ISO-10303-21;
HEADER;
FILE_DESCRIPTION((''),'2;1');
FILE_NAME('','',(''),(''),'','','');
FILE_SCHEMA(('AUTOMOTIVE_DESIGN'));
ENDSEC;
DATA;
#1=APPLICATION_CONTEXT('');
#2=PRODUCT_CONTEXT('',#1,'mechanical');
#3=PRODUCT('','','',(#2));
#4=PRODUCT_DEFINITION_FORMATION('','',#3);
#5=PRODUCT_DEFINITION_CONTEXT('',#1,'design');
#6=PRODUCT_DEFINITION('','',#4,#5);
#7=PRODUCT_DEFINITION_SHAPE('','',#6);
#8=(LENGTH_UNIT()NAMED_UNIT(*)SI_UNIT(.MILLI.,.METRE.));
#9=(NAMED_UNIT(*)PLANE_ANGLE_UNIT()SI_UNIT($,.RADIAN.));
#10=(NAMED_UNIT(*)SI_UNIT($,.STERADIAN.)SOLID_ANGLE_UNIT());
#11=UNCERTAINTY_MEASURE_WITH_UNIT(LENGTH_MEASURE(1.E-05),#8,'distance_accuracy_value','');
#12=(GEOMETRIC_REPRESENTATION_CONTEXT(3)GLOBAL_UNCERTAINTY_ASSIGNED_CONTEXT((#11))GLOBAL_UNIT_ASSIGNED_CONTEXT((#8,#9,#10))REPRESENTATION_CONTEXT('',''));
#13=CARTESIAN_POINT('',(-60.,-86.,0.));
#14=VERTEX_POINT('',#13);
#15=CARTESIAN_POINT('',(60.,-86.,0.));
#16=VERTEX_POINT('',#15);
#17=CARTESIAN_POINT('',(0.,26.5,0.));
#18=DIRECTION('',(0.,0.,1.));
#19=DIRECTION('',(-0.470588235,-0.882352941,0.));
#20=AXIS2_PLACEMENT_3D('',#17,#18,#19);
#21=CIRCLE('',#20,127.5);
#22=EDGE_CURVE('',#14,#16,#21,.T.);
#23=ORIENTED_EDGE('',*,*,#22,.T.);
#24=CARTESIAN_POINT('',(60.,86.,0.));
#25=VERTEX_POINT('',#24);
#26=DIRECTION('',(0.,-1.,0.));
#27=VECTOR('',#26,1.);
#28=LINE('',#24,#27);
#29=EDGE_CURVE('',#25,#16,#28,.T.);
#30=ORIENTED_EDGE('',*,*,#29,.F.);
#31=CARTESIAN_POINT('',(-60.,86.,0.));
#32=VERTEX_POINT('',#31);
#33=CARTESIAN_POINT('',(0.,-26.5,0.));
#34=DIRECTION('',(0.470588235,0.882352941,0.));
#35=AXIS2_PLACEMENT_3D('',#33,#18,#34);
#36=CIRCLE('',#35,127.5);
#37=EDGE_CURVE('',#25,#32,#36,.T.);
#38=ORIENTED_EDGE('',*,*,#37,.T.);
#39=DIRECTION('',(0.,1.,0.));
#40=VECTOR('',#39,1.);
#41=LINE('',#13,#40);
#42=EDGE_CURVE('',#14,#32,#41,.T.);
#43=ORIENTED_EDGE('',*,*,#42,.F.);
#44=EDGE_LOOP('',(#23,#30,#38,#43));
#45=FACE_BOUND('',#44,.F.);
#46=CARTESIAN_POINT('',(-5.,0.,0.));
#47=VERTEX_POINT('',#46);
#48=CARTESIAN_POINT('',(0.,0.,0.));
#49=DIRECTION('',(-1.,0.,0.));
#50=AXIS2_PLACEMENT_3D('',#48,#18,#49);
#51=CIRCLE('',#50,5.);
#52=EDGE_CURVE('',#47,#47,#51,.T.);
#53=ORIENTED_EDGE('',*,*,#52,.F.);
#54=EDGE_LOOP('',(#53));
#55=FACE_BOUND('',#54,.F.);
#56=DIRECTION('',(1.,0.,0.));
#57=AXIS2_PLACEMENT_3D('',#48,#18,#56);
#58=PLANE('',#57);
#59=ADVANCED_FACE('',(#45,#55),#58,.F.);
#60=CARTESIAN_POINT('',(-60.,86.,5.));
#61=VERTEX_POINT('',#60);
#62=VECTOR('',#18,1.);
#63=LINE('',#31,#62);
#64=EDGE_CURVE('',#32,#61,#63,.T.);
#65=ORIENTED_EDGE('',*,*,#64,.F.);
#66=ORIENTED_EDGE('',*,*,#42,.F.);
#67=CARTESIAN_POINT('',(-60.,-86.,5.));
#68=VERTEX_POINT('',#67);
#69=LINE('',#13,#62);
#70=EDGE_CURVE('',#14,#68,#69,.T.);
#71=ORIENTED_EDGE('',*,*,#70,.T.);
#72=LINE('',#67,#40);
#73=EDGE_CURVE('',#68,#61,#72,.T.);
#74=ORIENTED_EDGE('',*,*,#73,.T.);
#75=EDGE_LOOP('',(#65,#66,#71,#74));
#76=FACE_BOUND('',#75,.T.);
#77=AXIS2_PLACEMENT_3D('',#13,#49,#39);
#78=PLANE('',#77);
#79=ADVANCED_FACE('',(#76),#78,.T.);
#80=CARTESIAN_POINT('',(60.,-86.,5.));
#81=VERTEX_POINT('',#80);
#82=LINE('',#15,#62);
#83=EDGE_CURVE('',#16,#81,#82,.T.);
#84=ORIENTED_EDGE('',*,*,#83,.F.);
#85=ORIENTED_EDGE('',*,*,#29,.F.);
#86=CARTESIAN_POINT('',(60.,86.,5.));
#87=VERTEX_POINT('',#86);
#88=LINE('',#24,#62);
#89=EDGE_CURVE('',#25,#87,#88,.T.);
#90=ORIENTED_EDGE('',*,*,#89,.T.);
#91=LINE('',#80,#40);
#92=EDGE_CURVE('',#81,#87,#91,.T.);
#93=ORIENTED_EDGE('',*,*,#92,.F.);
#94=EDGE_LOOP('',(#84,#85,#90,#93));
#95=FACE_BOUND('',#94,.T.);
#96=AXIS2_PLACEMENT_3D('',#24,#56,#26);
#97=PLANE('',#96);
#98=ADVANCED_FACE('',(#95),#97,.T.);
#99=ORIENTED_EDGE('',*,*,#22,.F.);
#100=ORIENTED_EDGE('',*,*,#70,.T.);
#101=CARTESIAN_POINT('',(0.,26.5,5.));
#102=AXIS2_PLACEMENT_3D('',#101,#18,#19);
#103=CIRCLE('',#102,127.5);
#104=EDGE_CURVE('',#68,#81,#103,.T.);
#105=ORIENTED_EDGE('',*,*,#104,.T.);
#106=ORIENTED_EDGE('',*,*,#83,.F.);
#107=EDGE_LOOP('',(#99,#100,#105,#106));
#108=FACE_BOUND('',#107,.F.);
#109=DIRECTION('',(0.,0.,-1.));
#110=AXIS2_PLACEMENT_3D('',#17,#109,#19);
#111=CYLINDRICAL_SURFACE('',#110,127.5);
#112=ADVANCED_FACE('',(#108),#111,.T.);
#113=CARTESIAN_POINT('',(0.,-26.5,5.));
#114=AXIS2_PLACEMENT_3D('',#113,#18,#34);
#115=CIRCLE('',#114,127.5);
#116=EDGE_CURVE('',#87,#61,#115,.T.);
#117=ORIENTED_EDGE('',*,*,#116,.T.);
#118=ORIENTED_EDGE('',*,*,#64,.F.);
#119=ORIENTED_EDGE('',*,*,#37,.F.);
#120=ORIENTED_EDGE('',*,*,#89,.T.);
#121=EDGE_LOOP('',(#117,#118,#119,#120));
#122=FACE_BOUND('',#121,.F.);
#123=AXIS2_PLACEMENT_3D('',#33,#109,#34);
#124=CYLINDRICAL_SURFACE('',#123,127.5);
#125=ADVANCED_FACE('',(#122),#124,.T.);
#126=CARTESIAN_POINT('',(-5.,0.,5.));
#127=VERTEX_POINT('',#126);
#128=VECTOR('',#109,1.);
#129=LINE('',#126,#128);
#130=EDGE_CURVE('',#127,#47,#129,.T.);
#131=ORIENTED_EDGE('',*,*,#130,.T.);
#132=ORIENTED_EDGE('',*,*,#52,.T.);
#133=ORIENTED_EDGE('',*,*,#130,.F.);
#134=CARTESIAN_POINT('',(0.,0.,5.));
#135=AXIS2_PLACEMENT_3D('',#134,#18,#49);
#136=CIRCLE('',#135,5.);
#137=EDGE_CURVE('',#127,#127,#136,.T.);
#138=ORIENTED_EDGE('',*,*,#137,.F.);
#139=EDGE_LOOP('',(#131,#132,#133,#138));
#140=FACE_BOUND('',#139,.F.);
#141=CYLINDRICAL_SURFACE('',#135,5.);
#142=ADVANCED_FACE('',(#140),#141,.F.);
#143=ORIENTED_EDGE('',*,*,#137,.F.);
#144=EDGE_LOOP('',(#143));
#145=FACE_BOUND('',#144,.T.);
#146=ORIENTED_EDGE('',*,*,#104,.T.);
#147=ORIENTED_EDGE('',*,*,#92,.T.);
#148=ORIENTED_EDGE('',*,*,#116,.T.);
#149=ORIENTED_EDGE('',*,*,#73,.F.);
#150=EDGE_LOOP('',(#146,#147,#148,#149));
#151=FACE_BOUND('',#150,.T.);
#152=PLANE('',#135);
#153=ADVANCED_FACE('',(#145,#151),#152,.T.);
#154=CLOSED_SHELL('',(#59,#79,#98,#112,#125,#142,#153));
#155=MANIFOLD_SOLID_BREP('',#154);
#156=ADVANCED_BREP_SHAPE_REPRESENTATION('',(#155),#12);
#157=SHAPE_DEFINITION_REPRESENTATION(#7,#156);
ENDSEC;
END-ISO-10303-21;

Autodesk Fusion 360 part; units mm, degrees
sketch "Esquisse1" plane through (0, 0, 0) normal (0, 0, 1) x (1, 0, 0)
  line L0 (60, -86) -> (-60, -86)
  line L1 (-60, -86) -> (-60, 86)
  line L2 (-60, 86) -> (60, 86)
  line L3 (60, 86) -> (60, -86)
  line L4 (60, -86) -> (-60, 86) construction
  line L5 (-60, -86) -> (60, 86) construction
  dimension "d1" = 120
  dimension "d2" = 172
sketch "Esquisse2" plane through (0, 0, 0) normal (0, 0, 1) x (1, 0, 0)
  line L0 (0, -86) -> (0, -101)
  line L1 (0, 86) -> (0, 101)
  line L2 (60, -86) -> (-60, -86)
  line L3 (-60, -86) -> (-60, -116)
  line L4 (-60, -116) -> (60, -116)
  line L5 (60, -116) -> (60, -86)
  line L6 (60, -86) -> (-60, -116) construction
  line L7 (-60, -86) -> (60, -116) construction
  line L8 (-60, 86) -> (60, 86)
  line L9 (60, 86) -> (60, 116)
  line L10 (60, 116) -> (-60, 116)
  line L11 (-60, 116) -> (-60, 86)
  line L12 (-60, 86) -> (60, 116) construction
  line L13 (60, 86) -> (-60, 116) construction
  arc A0 (60, 86) -> (-60, 86) centre (0, -26.5) ccw
  arc A1 (-60, -86) -> (60, -86) centre (0, 26.5) ccw
  point P0 (0, -101)
  point P1 (0, 101)
  dimension "d3" = 15
  dimension "d4" = 15
extrude "Extrusion1" add sketch "Esquisse1" sketch "Esquisse2" along normal blind 10 of sketch 2 contours L0 L2 A1 | L0 L2 A1 | L1 L8 A0 | L1 L8 A0
sketch "Esquisse3" plane through (0, 0, 10) normal (0, 0, 1) x (-1, 0, 0)
  line L0 (60, -86) -> (60, 86)
  arc A0 (60, 86) -> (-60, 86) centre (0, -26.5) ccw
  line L1 (-60, 86) -> (-60, -86)
  arc A1 (-60, -86) -> (60, -86) centre (0, 26.5) ccw
  line L2 (60, 86) -> (-60, 86)
  line L3 (60, -86) -> (-60, -86)
  line L4 (-60, 86) -> (-60, 70)
  line L5 (-60, 70) -> (-60, 48)
  line L6 (-60, 48) -> (-60, -48)
  line L7 (-60, -48) -> (-60, -70)
  line L8 (60, 86) -> (60, 70)
  line L9 (60, 70) -> (60, 48)
  line L10 (60, 48) -> (60, -48)
  line L11 (60, -48) -> (60, -70)
  line L12 (60, 70) -> (36, 70)
  line L13 (36, 70) -> (36, 48)
  line L14 (36, 48) -> (60, 48)
  line L15 (60, -70) -> (36, -70)
  line L16 (36, -70) -> (36, -48)
  line L17 (36, -48) -> (60, -48)
  line L18 (-60, -70) -> (-36, -70)
  line L19 (-36, -70) -> (-36, -48)
  line L20 (-36, -48) -> (-60, -48)
  line L21 (-60, 70) -> (-36, 70)
  line L22 (-36, 70) -> (-36, 48)
  line L23 (-60, 48) -> (-36, 48)
  dimension "d7" = 16
  dimension "d8" = 22
  dimension "d9" = 96
  dimension "d10" = 22
  dimension "d11" = 16
  dimension "d12" = 22
  dimension "d13" = 96
  dimension "d14" = 22
  dimension "d15" = 24
  dimension "d16" = 24
  dimension "d17" = 22
sketch "Esquisse4" plane through (0, 0, 10) normal (0, 0, 1) x (-1, 0, 0)
  line L0 (-60, -86) -> (-17, -86)
  line L1 (-17, -86) -> (17, -86)
  line L2 (17, -86) -> (17, -70)
  line L3 (17, -70) -> (-17, -70)
  line L4 (-17, -70) -> (-17, -86)
  dimension "d18" = 43
  dimension "d19" = 34
extrude "Extrusion2" cut sketch "Esquisse3" against normal blind 5
extrude "Extrusion3" cut sketch "Esquisse4" along normal blind 0 and the other way blind 25
sketch "Esquisse5" plane through (0, 0, 5) normal (0, 0, 1) x (-1, 0, 0)
  line L0 (17, -86) -> (-17, -86)
  line L1 (-17, -86) -> (-17, -70)
  line L2 (-17, -70) -> (17, -70)
  line L3 (17, -70) -> (17, -86)
  arc A0 (60, 86) -> (-60, 86) centre (0, -26.5) ccw
  line L4 (-60, 86) -> (-60, -86)
  arc A1 (-60, -86) -> (60, -86) centre (0, 26.5) ccw
  line L5 (60, -86) -> (60, 86)
  line L6 (-60, -86) -> (60, -86)
  line L7 (-60, 86) -> (60, 86)
  line L8 (-60, -86) -> (-60, -70)
  line L9 (-60, -70) -> (-60, -48)
  line L10 (-60, -48) -> (-60, 48)
  line L11 (-60, 48) -> (-60, 70)
  line L12 (-60, -70) -> (-36, -70)
  line L13 (-36, -70) -> (-36, -48)
  line L14 (-36, -48) -> (-60, -48)
  line L15 (-60, 70) -> (-36, 70)
  line L16 (-60, 48) -> (-36, 48)
  line L17 (-36, 48) -> (-36, 70)
  line L18 (60, -70) -> (36, -70)
  line L19 (36, -70) -> (36, -48)
  line L20 (36, -48) -> (60, -48)
  line L21 (60, 48) -> (36, 48)
  line L22 (36, 48) -> (36, 70)
  line L23 (36, 70) -> (60, 70)
  dimension "d27" = 16
  dimension "d28" = 22
  dimension "d29" = 96
  dimension "d30" = 22
  dimension "d31" = 24
  dimension "d32" = 24
sketch "Esquisse6" plane through (0, 0, 5) normal (0, 0, 1) x (-1, 0, 0)
  line L0 (27.5, -60) -> (-27.5, -60)
  line L1 (-27.5, -60) -> (-27.5, 7)
  line L2 (-27.5, 7) -> (27.5, 7)
  line L3 (27.5, 7) -> (27.5, -60)
  dimension "d34" = 55
  dimension "d35" = 67
sketch "Esquisse7" plane through (0, 0, 5) normal (0, 0, 1) x (-1, 0, 0)
  line L0 (27.5, 17) -> (-27.5, 17)
  line L1 (-27.5, 17) -> (-27.5, 83)
  line L2 (-27.5, 83) -> (27.5, 83)
  line L3 (27.5, 83) -> (27.5, 17)
  dimension "d38" = 55
  dimension "d39" = 66
extrude "Extrusion4" add sketch "Esquisse5" against normal blind 5 contours L0 L1 L2 L3 L6
sketch "Esquisse8" plane through (0, 0, 5) normal (0, 0, 1) x (-1, 0, 0)
  arc A0 (60, 86) -> (-60, 86) centre (0, -26.5) ccw
  line L0 (-60, 86) -> (-60, -86)
  arc A1 (-60, -86) -> (60, -86) centre (0, 26.5) ccw
  line L1 (60, -86) -> (60, 86)
  circle A2 centre (0, 0) radius 5
  dimension "d42" = 10
extrude "Extrusion5" cut sketch "Esquisse8" against normal blind 5 contours A2
sketch "Esquisse9" plane through (0, 0, 5) normal (0, 0, 1) x (-1, 0, 0)
  circle A0 centre (0, 0) radius 5
  arc A1 (60, 86) -> (-60, 86) centre (0, -26.5) ccw
  line L0 (-60, 86) -> (-60, -86)
  arc A2 (-60, -86) -> (60, -86) centre (0, 26.5) ccw
  line L1 (60, -86) -> (60, 86)
  line L2 (60, 86) -> (-60, 86)
  line L3 (60, -86) -> (-60, -86)
